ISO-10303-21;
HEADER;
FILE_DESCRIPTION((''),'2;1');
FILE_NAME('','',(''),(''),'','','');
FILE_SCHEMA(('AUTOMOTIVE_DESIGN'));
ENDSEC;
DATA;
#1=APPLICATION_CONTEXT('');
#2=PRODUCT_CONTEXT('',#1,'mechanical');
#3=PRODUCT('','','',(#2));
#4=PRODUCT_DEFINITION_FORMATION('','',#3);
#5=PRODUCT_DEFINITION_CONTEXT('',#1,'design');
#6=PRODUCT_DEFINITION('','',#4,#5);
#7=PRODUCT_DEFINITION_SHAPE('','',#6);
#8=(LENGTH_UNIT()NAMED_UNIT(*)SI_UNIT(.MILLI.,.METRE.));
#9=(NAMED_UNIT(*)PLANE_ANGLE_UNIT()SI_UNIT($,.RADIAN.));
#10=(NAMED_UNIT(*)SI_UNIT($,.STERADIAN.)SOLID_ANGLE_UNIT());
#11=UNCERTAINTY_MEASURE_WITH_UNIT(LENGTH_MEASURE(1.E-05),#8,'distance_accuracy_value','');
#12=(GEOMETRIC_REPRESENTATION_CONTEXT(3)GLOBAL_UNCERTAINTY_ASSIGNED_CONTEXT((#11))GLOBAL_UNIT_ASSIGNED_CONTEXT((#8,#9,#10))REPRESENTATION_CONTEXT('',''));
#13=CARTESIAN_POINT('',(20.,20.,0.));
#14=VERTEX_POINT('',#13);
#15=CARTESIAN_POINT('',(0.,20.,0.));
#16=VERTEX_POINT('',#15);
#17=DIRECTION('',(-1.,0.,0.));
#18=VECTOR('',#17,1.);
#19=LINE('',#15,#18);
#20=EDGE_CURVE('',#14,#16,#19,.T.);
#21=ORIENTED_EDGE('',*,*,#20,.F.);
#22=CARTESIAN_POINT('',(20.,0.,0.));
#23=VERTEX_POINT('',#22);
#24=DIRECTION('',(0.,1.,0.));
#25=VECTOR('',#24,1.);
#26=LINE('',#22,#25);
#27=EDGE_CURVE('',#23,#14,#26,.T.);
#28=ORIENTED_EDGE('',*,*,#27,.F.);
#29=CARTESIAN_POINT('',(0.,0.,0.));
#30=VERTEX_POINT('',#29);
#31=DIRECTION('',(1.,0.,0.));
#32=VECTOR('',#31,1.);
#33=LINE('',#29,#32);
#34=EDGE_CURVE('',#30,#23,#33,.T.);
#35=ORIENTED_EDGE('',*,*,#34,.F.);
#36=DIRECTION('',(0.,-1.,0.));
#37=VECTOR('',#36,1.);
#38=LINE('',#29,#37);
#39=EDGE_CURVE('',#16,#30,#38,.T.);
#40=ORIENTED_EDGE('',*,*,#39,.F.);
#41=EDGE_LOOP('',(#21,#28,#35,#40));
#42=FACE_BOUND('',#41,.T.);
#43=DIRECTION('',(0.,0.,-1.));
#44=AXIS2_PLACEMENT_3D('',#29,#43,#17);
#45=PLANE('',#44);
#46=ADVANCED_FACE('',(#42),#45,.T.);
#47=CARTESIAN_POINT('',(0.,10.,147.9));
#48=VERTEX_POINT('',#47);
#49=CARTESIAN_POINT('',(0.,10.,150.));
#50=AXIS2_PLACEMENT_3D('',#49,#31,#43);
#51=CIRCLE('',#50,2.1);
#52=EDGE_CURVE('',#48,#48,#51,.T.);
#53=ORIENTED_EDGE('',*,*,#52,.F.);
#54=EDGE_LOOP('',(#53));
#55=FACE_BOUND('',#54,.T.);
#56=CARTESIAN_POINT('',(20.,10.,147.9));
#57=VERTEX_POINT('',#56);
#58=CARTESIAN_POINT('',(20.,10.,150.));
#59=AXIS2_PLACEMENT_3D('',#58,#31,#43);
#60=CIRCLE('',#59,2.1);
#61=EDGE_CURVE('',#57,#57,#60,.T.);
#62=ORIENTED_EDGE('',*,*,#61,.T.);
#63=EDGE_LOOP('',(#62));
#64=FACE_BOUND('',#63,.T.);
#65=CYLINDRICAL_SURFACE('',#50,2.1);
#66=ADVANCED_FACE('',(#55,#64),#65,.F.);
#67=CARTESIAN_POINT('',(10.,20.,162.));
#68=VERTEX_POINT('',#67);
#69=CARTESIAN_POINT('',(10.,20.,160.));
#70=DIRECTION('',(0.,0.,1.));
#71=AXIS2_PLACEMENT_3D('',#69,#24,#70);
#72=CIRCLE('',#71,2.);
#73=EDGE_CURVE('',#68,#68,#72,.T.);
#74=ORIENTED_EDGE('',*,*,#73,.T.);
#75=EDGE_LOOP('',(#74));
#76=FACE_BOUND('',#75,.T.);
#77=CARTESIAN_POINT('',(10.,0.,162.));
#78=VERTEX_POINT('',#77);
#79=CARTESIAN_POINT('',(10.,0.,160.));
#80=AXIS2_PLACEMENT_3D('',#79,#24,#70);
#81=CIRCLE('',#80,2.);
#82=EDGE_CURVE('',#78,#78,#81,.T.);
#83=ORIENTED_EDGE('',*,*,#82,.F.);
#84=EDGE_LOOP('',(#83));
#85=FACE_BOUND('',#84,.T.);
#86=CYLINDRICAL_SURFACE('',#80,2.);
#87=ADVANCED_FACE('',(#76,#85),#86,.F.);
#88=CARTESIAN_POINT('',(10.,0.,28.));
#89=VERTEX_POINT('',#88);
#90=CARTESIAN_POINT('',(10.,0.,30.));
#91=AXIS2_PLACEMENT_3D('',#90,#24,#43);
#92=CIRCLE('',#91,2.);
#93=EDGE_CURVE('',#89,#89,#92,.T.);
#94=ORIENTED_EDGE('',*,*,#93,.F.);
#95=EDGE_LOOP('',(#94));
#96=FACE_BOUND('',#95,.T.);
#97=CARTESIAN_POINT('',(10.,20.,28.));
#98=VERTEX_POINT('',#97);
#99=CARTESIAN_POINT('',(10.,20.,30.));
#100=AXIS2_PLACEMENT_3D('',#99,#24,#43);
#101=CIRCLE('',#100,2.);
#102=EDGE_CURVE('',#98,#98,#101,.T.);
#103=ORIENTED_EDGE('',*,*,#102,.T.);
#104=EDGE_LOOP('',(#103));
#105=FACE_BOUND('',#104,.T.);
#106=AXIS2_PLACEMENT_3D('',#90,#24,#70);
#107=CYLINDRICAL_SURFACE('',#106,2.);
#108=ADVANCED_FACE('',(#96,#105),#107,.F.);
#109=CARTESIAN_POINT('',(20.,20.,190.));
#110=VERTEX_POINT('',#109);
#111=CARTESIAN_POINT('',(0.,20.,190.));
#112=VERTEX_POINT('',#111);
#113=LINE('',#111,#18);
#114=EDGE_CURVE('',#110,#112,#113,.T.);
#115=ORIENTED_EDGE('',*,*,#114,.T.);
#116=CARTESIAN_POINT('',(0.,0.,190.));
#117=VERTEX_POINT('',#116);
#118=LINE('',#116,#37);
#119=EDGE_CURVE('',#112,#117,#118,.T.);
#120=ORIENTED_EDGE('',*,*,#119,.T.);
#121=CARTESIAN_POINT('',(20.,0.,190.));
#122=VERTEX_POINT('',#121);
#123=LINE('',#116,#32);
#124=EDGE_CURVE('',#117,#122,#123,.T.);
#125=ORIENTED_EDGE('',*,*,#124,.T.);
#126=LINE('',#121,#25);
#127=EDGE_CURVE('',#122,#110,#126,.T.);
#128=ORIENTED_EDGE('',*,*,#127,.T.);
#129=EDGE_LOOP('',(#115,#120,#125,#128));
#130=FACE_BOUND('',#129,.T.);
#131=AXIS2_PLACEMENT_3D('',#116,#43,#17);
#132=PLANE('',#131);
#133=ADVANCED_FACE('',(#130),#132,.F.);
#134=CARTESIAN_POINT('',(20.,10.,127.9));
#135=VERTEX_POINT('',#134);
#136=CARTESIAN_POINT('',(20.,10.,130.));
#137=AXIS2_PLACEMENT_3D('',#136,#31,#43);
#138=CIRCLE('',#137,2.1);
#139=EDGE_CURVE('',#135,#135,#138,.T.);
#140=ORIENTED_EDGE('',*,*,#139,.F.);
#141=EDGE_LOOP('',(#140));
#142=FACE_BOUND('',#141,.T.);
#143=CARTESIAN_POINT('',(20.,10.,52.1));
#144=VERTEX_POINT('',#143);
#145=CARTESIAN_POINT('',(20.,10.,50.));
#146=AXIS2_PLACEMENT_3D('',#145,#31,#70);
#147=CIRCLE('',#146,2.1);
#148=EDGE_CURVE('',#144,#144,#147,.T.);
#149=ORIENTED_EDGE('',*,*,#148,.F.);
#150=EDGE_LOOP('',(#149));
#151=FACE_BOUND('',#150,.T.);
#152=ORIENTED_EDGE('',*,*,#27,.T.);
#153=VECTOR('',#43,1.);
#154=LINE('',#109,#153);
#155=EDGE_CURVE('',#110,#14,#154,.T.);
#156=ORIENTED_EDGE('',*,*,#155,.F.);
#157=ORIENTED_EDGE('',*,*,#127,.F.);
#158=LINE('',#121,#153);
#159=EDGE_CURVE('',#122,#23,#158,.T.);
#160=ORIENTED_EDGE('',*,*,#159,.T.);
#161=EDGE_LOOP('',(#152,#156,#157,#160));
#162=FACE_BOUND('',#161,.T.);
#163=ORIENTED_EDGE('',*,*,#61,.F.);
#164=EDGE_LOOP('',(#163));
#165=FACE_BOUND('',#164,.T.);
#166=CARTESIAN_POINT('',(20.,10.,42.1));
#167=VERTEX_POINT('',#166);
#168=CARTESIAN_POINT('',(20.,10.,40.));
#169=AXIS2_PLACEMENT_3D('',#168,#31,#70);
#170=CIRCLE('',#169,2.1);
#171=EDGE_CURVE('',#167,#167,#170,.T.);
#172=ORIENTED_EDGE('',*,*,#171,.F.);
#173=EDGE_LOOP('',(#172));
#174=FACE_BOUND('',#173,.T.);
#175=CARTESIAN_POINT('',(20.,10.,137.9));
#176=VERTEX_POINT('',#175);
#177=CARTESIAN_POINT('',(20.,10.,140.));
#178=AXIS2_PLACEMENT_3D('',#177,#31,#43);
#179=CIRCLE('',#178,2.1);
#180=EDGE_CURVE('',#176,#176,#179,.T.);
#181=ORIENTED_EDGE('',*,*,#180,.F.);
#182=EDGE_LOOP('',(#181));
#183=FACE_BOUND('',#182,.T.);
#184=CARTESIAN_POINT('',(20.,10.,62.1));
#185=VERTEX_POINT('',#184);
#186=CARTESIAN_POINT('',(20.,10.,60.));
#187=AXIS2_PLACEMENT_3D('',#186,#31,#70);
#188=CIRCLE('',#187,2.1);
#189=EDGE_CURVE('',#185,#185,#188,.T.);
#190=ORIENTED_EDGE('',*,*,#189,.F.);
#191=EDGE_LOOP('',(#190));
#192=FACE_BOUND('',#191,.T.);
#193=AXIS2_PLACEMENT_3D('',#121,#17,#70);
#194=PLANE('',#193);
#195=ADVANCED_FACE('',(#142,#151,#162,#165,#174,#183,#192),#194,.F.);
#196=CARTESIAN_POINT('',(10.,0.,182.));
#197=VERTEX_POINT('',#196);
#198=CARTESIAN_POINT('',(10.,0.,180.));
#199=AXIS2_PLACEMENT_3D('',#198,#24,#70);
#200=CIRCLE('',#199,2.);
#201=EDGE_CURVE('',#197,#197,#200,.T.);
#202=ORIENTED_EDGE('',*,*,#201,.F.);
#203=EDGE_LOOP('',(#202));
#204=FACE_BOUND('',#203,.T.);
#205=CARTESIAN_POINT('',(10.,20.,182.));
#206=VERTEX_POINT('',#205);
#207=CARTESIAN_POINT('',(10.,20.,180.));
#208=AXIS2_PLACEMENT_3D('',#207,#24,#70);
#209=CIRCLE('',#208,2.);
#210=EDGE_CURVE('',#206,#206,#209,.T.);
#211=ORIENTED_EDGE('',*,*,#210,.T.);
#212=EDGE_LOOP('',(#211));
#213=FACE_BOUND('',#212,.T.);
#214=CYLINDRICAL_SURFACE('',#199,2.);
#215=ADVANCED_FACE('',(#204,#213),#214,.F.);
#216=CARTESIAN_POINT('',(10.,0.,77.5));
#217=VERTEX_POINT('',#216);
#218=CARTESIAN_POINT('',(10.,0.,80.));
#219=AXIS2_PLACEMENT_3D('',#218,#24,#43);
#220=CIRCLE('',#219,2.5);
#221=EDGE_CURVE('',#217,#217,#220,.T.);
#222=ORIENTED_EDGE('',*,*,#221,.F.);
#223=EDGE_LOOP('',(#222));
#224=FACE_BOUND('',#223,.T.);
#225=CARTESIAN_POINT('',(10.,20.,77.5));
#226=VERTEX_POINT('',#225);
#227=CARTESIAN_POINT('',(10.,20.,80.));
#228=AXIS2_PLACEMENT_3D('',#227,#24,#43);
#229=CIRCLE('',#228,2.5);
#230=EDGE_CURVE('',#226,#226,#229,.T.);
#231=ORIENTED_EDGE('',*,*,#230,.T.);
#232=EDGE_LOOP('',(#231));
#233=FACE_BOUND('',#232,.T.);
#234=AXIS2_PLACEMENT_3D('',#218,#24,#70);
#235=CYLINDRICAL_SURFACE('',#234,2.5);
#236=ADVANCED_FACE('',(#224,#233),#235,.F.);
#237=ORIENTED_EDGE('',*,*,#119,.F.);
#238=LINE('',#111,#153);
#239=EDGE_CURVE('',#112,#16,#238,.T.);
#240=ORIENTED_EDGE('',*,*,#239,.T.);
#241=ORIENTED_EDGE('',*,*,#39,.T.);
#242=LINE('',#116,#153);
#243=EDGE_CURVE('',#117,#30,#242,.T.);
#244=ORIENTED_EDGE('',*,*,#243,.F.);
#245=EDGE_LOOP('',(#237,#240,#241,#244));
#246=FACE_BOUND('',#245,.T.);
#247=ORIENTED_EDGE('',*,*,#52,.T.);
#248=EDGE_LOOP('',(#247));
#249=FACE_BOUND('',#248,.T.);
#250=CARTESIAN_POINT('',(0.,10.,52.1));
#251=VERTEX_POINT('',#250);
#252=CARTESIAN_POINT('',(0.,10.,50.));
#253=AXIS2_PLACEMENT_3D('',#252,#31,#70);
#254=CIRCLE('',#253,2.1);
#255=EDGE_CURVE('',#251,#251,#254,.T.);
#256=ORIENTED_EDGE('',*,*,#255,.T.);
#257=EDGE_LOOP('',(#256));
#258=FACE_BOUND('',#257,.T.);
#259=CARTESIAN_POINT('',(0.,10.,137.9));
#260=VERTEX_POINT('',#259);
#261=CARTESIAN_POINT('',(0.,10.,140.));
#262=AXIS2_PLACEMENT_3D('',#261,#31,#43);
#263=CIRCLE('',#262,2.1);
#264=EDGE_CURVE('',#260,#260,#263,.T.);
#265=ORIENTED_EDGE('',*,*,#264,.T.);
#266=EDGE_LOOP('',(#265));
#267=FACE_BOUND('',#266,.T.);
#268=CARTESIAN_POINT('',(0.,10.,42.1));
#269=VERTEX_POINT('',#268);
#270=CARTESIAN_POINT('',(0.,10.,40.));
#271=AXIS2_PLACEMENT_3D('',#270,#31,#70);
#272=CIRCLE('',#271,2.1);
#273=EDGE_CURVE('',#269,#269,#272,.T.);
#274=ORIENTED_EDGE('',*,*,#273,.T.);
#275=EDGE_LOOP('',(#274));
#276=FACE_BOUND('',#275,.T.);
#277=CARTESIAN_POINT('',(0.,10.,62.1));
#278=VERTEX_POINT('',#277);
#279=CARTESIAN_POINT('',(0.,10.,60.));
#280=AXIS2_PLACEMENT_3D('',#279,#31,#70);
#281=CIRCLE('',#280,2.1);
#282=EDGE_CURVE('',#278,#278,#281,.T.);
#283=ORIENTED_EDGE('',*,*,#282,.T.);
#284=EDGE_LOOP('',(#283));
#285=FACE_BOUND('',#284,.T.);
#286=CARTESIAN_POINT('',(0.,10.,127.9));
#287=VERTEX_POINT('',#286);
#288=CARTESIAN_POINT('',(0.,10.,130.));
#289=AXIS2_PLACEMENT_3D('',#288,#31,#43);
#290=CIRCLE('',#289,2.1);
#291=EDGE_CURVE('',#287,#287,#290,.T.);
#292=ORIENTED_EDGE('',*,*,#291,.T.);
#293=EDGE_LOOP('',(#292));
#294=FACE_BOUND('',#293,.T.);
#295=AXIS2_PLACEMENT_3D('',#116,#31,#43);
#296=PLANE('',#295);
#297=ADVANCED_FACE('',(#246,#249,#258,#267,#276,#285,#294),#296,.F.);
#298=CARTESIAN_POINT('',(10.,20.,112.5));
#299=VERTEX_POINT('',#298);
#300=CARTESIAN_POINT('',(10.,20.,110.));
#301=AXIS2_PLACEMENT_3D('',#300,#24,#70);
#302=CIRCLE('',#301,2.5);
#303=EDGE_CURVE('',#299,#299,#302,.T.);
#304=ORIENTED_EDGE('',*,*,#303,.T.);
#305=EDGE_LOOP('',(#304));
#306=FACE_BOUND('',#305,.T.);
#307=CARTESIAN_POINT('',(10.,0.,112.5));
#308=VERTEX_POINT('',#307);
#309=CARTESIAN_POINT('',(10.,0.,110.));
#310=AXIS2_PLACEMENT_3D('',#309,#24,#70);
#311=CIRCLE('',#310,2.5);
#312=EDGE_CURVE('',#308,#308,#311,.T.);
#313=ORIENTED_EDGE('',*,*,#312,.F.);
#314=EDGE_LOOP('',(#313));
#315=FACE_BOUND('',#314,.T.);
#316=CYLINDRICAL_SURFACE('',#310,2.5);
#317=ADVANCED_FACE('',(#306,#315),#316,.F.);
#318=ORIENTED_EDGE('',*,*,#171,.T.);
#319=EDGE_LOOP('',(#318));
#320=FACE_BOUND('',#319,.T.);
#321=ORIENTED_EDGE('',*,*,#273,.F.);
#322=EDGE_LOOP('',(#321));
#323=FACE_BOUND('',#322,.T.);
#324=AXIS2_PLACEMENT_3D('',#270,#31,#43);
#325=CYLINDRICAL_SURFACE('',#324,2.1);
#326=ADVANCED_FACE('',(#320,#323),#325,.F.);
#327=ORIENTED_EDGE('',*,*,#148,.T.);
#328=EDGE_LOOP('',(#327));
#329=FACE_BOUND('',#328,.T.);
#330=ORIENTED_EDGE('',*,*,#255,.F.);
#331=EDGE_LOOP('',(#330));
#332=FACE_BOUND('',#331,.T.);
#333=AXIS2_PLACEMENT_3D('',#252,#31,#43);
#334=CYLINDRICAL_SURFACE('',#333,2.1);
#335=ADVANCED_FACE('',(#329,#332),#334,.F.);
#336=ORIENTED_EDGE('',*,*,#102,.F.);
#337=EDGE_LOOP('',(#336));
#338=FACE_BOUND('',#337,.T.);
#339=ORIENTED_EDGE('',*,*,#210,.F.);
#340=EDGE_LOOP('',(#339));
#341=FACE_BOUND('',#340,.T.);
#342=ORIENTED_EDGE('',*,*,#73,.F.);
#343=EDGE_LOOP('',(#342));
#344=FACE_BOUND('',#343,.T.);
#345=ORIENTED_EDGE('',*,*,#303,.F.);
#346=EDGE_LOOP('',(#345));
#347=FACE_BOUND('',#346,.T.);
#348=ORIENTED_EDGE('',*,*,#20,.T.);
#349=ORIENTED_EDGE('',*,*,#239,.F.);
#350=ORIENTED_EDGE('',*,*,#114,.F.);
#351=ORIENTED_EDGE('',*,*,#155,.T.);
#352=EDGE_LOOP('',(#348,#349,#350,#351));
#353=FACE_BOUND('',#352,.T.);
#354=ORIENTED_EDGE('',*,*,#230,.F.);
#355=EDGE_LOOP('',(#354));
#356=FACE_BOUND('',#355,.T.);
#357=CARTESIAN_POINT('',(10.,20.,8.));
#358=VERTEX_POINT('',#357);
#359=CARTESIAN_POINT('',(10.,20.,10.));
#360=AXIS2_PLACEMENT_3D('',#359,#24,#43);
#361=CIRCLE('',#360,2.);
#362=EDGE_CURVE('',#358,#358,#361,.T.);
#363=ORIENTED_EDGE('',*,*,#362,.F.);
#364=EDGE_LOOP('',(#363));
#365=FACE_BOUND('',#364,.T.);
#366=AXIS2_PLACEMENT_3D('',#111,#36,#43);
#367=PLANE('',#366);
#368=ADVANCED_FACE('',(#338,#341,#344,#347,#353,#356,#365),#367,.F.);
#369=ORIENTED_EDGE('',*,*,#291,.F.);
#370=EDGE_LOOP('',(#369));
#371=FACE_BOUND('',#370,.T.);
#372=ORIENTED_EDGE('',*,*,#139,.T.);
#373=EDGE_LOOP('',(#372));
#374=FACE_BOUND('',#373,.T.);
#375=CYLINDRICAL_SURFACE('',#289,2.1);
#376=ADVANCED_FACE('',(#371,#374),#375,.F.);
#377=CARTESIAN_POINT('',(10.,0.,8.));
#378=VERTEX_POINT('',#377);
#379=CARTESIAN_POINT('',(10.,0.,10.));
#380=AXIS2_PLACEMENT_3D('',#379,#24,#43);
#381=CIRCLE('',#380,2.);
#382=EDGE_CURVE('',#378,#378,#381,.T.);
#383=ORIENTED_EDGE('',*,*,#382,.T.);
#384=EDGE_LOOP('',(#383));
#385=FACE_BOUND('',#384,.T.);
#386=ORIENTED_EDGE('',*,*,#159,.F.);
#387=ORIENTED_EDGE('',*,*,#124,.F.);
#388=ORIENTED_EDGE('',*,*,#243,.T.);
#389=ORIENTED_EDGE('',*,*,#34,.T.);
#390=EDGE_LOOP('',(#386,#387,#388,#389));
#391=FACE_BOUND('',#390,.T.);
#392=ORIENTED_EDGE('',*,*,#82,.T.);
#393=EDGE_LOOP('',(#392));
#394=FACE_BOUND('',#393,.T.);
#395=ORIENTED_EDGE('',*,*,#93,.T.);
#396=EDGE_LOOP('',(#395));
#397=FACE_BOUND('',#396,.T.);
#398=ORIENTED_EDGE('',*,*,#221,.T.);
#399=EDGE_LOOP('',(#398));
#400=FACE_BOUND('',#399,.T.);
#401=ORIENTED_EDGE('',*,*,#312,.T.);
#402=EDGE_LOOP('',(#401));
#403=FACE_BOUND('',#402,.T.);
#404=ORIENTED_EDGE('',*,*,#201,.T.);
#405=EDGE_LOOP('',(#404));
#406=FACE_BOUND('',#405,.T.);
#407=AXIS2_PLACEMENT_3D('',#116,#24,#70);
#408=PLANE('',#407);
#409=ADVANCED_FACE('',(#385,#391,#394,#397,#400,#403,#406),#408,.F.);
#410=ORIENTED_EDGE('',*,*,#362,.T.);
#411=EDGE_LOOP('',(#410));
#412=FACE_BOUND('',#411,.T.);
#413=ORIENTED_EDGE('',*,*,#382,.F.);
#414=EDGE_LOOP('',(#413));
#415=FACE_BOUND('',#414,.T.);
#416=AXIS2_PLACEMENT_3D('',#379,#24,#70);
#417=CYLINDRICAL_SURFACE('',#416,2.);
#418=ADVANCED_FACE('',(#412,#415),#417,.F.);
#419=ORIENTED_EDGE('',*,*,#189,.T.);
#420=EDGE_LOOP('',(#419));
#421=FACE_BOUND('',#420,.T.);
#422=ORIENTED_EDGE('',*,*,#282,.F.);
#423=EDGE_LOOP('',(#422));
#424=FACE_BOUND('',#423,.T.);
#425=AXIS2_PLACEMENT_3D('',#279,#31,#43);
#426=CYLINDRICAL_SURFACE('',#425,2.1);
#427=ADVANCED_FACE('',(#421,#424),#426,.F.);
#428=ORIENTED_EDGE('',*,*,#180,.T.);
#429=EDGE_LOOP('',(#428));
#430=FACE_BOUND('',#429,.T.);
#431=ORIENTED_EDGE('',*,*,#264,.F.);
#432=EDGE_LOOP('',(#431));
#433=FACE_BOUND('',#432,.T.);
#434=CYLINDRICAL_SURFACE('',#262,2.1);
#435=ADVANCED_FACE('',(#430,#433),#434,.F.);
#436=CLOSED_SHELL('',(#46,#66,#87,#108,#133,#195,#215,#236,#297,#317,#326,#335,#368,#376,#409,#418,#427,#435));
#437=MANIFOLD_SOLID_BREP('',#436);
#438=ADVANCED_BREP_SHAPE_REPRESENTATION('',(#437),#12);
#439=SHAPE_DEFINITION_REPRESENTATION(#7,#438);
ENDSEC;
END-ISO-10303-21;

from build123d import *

# Parameters (mm, degrees)
SKETCH_1_W               = 20
SKETCH_1_H               = 20
EXTRUDE_1_DEPTH          = 190
CUT_EXTRUDE_1_DEPTH      = 193.093727123
CUT_EXTRUDE_1_DEPTH_BACK = 193.093727123
SKETCH_2_R               = 2
SKETCH_2_R_2             = 2.5
SKETCH_3_R               = 2.1
CUT_EXTRUDE_2_DEPTH      = 193.093727123


with BuildPart() as part:
    # 草图1 → 凸台-拉伸1 (new body)
    with BuildSketch(Plane.XY):
        with Locations((10, 10)):
            Rectangle(SKETCH_1_W, SKETCH_1_H)
    extrude(amount=EXTRUDE_1_DEPTH)

    # 草图2 → 切除-拉伸1 (cut, two sides: drawn at the far end of the back side and taken through both)
    with BuildSketch(Plane(origin=(0, 20, 0), x_dir=(1, 0, 0), z_dir=(0, 1, 0)).offset(-CUT_EXTRUDE_1_DEPTH_BACK)):
        with Locations(Location((10, -180, 0), (0, 0, 270))):
            Circle(SKETCH_2_R)
        with Locations(Location((10, -160, 0), (0, 0, 270))):
            Circle(SKETCH_2_R)
        with Locations(Location((10, -110, 0), (0, 0, 270))):
            Circle(SKETCH_2_R_2)
        with Locations(Location((10, -10, 0), (0, 0, 90))):
            Circle(SKETCH_2_R)
        with Locations(Location((10, -30, 0), (0, 0, 90))):
            Circle(SKETCH_2_R)
        with Locations(Location((10, -80, 0), (0, 0, 90))):
            Circle(SKETCH_2_R_2)
    extrude(amount=CUT_EXTRUDE_1_DEPTH + CUT_EXTRUDE_1_DEPTH_BACK, mode=Mode.SUBTRACT)

    # 草图3 → 切除-拉伸2 (cut, through all)
    with BuildSketch(Plane(origin=(20, 0, 0), x_dir=(0, 0, -1), z_dir=(1, 0, 0))):
        with Locations((-140, 10)):
            Circle(SKETCH_3_R)
        with Locations((-130, 10)):
            Circle(SKETCH_3_R)
        with Locations((-150, 10)):
            Circle(SKETCH_3_R)
        with Locations(Location((-60, 10, 0), (0, 0, 180))):
            Circle(SKETCH_3_R)
        with Locations(Location((-50, 10, 0), (0, 0, 180))):
            Circle(SKETCH_3_R)
        with Locations(Location((-40, 10, 0), (0, 0, 180))):
            Circle(SKETCH_3_R)
    extrude(amount=-CUT_EXTRUDE_2_DEPTH, mode=Mode.SUBTRACT)


solid = part.part
